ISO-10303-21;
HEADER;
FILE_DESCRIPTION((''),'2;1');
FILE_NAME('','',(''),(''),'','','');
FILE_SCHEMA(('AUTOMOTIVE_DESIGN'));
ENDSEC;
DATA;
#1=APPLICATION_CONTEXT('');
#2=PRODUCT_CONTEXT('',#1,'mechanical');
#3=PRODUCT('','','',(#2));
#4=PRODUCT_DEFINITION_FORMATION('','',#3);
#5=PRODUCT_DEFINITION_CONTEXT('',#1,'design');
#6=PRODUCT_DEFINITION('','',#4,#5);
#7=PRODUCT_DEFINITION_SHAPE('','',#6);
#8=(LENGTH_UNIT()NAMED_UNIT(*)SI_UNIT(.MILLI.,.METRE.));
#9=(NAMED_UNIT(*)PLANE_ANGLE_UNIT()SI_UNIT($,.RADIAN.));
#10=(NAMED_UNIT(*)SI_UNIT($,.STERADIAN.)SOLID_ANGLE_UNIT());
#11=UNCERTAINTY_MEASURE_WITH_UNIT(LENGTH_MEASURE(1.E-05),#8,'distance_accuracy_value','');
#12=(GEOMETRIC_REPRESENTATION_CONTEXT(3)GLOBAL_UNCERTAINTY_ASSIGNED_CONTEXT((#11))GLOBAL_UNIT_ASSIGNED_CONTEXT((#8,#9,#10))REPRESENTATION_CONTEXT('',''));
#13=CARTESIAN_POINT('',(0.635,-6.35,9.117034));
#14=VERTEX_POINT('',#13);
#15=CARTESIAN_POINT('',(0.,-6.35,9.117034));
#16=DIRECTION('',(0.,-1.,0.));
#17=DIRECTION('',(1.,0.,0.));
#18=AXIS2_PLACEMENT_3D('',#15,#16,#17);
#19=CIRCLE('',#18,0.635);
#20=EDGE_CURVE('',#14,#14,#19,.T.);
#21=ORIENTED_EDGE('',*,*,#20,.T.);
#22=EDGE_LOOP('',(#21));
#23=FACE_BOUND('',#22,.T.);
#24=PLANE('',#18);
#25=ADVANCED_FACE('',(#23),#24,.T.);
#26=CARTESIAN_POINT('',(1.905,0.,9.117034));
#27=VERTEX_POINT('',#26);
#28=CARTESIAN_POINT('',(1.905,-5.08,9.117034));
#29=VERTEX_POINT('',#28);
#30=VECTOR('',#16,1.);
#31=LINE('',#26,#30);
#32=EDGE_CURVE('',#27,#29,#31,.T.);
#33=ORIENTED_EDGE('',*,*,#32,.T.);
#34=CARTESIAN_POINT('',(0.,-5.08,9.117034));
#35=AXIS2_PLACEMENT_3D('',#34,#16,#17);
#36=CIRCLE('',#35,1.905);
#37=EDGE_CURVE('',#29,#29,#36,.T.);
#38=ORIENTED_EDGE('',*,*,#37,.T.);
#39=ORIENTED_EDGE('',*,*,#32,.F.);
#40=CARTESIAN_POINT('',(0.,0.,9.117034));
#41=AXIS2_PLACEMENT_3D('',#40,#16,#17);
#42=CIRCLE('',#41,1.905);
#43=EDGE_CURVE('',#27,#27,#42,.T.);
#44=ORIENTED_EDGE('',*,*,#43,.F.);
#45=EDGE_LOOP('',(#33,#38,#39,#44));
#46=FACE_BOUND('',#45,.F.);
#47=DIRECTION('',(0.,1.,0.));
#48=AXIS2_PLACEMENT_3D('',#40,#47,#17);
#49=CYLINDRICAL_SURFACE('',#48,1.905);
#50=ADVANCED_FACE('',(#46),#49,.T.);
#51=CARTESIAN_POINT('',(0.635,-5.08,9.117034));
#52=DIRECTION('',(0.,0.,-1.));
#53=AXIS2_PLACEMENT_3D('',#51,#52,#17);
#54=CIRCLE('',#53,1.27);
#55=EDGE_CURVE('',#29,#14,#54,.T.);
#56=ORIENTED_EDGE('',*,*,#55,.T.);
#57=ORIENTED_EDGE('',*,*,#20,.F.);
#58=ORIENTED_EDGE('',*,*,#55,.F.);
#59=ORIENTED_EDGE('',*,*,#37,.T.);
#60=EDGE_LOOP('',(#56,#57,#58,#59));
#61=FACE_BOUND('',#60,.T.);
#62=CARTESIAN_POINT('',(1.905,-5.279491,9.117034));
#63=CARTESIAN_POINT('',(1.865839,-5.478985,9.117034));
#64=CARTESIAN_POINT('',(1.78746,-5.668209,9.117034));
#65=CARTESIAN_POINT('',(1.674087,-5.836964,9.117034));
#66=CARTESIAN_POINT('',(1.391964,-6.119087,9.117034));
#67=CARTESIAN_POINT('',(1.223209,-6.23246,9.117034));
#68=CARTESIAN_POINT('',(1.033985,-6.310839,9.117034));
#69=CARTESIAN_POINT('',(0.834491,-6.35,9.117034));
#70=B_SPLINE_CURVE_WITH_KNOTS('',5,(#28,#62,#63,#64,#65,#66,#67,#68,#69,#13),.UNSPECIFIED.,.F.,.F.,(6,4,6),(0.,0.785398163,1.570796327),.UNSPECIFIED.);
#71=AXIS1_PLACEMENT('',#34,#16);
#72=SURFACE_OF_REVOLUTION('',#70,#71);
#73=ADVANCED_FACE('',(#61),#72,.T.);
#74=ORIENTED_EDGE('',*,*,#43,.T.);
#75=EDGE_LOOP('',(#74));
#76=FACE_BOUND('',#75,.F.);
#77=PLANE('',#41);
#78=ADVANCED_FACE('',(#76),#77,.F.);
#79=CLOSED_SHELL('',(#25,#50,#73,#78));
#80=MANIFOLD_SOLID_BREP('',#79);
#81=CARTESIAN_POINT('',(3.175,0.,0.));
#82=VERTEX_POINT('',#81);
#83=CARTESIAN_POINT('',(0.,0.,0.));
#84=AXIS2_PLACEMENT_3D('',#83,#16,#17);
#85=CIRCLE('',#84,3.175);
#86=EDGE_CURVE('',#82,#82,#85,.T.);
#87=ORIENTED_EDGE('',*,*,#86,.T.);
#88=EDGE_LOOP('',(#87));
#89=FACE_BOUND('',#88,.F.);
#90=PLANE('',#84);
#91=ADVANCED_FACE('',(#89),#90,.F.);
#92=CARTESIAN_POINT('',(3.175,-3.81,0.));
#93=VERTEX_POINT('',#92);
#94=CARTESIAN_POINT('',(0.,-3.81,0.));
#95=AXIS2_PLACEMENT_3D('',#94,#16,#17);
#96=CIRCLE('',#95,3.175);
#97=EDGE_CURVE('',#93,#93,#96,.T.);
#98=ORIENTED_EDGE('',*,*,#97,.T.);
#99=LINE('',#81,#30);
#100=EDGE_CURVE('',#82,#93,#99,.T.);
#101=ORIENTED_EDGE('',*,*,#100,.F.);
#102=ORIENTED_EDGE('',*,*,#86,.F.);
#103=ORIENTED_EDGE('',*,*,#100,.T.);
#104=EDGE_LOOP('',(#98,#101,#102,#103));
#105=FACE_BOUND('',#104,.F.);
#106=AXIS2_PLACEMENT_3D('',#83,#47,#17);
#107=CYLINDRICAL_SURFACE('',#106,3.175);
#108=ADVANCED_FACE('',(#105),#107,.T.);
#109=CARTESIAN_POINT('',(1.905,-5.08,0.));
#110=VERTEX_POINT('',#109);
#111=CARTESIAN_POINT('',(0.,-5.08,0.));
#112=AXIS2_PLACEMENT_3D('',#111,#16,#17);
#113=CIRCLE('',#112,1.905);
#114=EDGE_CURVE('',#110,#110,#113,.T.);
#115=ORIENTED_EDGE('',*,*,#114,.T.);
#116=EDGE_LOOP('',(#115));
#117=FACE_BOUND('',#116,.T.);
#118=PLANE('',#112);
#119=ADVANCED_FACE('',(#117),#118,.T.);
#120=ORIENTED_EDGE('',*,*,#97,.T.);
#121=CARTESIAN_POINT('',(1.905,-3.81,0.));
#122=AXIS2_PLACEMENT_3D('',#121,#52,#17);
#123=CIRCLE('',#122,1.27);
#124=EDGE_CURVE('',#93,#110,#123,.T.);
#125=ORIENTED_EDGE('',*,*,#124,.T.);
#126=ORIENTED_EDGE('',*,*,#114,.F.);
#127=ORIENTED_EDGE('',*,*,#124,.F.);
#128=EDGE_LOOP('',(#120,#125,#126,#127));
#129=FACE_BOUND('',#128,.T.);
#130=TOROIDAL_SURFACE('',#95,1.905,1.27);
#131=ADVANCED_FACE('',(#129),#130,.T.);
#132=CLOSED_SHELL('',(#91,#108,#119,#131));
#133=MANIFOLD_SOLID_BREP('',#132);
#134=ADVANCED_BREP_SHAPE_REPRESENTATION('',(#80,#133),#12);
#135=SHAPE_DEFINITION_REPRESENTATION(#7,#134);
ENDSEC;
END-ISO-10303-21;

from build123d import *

# Parameters (mm, degrees)
F0_R     = 3.175
F1_DEPTH = 5.08
F2_R     = 1.27
F3_R     = 1.905
F4_DEPTH = 6.35
F5_R     = 1.27


with BuildPart() as f1:
    # F0 (on Front) → F1 (new body)
    with BuildSketch(Plane.XZ):
        Circle(F0_R)
    extrude(amount=F1_DEPTH)

    # F2
    f2_edges = [f1.edges().sort_by_distance(p)[0] for p in [
        (-3.175, -5.08, 0),
    ]]
    fillet(f2_edges, radius=F2_R)


with BuildPart() as f4:
    # F3 (on Front) → F4 (new body)
    with BuildSketch(Plane.XZ):
        with Locations((0, 9.117034)):
            Circle(F3_R)
    extrude(amount=F4_DEPTH)

    # F5
    f5_edges = [f4.edges().sort_by_distance(p)[0] for p in [
        (-1.905, -6.35, 9.117034),
    ]]
    fillet(f5_edges, radius=F5_R)


solid = Compound([f1.part, f4.part])
